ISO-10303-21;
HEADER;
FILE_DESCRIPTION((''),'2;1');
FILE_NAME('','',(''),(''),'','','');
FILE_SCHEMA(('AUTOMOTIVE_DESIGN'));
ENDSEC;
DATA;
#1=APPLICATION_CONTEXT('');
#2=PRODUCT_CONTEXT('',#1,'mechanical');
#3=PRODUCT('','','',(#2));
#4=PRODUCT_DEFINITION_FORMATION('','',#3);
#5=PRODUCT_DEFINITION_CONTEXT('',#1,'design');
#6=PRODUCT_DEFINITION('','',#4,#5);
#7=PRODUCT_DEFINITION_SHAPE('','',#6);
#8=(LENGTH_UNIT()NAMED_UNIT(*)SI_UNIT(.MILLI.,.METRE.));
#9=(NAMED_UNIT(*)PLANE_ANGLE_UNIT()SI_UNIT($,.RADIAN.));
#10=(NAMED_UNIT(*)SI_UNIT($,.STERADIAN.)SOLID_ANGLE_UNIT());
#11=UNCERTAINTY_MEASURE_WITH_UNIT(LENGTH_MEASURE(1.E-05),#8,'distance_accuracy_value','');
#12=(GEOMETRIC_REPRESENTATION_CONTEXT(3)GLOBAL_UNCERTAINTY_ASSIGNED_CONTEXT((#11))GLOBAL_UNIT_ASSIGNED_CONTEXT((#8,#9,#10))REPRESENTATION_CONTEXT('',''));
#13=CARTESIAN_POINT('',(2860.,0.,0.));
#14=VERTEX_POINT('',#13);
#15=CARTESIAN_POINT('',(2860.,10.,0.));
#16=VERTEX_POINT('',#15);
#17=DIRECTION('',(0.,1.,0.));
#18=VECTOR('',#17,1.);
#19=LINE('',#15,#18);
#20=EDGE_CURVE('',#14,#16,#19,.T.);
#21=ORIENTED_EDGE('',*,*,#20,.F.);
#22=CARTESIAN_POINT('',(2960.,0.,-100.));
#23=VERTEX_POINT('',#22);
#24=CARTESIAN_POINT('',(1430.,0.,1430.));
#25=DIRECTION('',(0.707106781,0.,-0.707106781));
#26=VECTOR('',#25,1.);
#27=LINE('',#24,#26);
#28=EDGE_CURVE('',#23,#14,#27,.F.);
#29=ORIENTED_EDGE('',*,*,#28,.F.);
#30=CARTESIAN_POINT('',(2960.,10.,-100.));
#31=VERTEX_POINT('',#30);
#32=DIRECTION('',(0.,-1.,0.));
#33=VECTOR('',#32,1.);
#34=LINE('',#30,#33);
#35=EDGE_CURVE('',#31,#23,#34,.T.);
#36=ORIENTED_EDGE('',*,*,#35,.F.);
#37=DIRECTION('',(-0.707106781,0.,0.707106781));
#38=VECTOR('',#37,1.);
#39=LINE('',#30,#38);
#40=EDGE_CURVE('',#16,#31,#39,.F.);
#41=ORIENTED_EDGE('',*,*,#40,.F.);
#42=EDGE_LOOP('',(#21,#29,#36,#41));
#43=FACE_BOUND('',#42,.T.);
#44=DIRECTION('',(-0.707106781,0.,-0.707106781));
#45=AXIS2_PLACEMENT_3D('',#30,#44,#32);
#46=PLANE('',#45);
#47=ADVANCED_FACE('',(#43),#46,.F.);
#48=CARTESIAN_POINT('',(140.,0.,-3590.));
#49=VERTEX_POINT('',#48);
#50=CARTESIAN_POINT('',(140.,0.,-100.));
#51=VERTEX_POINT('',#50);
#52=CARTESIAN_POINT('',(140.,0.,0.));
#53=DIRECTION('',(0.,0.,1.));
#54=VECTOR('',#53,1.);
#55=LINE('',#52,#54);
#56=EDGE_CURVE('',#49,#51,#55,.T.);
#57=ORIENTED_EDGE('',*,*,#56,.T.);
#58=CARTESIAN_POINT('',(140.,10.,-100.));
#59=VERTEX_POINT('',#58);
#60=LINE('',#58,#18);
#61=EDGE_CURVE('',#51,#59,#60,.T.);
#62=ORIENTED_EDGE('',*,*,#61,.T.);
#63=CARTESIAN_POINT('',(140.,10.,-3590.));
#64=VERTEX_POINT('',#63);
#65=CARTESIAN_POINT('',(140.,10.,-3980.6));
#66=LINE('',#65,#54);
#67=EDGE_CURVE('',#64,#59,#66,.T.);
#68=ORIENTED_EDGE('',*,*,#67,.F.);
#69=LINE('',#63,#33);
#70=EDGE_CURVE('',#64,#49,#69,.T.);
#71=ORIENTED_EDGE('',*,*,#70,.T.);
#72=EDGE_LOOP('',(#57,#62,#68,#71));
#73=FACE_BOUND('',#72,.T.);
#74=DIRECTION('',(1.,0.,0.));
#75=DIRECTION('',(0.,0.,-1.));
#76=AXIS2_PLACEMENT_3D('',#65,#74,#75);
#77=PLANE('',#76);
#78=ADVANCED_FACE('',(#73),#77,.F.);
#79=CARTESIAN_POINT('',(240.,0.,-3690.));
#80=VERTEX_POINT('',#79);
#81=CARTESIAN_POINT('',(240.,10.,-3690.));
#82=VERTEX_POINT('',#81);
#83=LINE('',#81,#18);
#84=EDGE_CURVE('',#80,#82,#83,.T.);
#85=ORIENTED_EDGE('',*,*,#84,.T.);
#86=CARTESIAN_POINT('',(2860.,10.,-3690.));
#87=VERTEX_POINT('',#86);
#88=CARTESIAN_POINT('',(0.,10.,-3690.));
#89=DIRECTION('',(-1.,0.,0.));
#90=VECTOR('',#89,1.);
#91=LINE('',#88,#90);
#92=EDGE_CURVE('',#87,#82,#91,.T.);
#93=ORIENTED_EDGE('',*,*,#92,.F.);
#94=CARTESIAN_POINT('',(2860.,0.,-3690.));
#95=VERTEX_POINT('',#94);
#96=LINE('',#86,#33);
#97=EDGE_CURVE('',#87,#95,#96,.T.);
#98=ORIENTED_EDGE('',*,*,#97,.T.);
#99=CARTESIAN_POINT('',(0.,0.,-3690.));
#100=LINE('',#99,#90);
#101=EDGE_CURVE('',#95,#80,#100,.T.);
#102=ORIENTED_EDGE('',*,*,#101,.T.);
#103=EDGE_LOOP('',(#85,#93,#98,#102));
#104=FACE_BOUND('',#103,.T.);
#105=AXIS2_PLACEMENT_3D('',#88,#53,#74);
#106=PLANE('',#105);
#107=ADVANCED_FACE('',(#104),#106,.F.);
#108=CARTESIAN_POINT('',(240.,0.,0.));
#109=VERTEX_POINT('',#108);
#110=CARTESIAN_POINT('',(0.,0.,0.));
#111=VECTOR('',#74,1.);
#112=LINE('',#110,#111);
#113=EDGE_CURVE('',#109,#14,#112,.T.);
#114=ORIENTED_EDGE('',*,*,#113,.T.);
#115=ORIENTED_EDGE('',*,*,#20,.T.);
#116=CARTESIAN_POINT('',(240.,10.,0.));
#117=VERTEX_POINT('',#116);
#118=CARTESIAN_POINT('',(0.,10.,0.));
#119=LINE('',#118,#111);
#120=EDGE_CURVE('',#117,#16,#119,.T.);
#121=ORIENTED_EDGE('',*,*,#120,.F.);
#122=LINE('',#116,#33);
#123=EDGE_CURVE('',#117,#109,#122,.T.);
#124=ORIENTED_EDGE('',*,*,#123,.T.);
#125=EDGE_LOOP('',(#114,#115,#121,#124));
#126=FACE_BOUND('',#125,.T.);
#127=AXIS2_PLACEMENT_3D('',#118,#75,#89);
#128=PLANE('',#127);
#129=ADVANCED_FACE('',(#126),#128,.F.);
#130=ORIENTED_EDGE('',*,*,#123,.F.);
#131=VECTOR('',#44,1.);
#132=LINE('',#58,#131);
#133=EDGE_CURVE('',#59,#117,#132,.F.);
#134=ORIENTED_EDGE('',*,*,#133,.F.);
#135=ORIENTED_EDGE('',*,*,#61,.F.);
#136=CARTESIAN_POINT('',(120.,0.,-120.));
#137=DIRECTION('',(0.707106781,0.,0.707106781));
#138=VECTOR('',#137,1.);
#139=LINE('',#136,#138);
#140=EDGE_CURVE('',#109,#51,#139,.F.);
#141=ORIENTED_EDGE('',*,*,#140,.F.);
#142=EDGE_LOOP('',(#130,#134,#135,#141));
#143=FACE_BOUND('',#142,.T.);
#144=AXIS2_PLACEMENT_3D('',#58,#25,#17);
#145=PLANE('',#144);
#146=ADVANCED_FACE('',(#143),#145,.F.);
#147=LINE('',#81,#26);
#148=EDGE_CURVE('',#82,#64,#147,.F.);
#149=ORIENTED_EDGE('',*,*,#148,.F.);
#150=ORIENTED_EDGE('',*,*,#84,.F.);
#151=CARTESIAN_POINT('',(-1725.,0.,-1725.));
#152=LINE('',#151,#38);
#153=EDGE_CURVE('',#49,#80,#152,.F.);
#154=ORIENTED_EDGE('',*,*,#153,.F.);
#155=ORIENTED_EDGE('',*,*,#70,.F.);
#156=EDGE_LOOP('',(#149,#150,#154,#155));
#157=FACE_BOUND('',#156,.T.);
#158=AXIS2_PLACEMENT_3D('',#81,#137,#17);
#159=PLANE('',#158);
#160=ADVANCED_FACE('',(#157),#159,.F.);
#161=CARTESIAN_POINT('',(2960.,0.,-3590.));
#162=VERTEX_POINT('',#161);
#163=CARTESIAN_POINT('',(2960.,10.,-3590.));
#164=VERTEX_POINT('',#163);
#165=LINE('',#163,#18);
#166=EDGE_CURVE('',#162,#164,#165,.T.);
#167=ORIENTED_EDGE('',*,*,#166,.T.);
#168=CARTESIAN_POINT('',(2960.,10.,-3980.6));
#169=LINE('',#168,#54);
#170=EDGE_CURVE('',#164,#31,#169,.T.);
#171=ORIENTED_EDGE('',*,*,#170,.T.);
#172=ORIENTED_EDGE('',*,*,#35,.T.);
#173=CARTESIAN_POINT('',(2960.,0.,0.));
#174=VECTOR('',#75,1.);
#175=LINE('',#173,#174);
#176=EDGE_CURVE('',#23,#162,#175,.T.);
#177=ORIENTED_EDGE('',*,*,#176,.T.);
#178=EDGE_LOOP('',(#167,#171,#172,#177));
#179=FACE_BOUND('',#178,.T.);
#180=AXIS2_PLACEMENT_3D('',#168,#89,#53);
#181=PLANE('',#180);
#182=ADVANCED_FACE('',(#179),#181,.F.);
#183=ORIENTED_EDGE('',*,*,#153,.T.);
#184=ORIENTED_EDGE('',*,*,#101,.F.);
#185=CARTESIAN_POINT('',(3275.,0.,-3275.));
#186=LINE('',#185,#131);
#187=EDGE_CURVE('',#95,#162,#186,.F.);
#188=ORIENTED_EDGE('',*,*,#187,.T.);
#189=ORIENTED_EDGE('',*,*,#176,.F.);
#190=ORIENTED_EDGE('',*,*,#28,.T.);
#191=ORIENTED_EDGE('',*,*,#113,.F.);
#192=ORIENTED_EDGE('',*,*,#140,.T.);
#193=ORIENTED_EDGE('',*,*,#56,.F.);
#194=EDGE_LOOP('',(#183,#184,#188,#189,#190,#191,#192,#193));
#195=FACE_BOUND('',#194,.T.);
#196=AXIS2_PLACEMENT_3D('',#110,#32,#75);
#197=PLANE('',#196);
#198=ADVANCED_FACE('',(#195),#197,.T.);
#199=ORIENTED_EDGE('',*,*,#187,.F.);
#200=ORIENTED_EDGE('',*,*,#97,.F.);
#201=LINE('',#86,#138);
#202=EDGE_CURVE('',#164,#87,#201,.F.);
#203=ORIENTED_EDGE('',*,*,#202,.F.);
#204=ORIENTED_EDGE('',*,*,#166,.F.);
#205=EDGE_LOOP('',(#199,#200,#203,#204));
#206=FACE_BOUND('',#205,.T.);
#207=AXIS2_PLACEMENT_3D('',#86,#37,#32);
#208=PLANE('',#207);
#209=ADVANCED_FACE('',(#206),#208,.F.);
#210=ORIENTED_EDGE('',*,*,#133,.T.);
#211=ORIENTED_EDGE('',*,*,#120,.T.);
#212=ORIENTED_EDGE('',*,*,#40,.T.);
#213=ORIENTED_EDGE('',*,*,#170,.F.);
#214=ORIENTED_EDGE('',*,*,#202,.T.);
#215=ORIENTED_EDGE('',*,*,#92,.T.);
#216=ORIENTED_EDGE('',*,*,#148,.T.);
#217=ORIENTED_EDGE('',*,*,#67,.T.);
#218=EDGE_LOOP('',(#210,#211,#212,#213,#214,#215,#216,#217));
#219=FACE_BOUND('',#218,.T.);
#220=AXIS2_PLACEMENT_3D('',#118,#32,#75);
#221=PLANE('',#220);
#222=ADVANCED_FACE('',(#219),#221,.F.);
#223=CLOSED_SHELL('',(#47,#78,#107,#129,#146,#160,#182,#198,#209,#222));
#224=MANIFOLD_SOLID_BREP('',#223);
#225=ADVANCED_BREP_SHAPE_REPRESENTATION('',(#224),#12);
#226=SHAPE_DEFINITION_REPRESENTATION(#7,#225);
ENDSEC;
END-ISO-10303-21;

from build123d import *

# Parameters (mm, degrees)
ESQUISSE1_W             = 3100
ESQUISSE1_H             = 3690
BOSS_EXTRU_1_DEPTH      = 10
ESQUISSE2_W             = 140
ESQUISSE2_H             = 10
ENL_V_MAT_EXTRU_1_DEPTH = 3980.6
CHANFREIN1_SIZE         = 100


with BuildPart() as part:
    # Esquisse1 → Boss.-Extru.1 (new body)
    with BuildSketch(Plane(origin=(0, 0, 0), x_dir=(1, 0, 0), z_dir=(0, 1, 0))):
        with Locations((1550, 1845)):
            Rectangle(ESQUISSE1_W, ESQUISSE1_H)
    extrude(amount=BOSS_EXTRU_1_DEPTH)

    # Esquisse2 → Enlèv. mat.-Extru.1 (cut)
    with BuildSketch(Plane.XY):
        with Locations((70, 5)):
            Rectangle(ESQUISSE2_W, ESQUISSE2_H)
        with Locations((3030, 5)):
            Rectangle(ESQUISSE2_W, ESQUISSE2_H)
    extrude(amount=-ENL_V_MAT_EXTRU_1_DEPTH, mode=Mode.SUBTRACT)

    # Chanfrein1
    chanfrein1_edges = [part.edges().sort_by_distance(p)[0] for p in [
        (140, 5, -3690),
        (140, 5, 0),
        (2960, 5, -3690),
        (2960, 5, 0),
    ]]
    chamfer(chanfrein1_edges, length=CHANFREIN1_SIZE)


solid = part.part
